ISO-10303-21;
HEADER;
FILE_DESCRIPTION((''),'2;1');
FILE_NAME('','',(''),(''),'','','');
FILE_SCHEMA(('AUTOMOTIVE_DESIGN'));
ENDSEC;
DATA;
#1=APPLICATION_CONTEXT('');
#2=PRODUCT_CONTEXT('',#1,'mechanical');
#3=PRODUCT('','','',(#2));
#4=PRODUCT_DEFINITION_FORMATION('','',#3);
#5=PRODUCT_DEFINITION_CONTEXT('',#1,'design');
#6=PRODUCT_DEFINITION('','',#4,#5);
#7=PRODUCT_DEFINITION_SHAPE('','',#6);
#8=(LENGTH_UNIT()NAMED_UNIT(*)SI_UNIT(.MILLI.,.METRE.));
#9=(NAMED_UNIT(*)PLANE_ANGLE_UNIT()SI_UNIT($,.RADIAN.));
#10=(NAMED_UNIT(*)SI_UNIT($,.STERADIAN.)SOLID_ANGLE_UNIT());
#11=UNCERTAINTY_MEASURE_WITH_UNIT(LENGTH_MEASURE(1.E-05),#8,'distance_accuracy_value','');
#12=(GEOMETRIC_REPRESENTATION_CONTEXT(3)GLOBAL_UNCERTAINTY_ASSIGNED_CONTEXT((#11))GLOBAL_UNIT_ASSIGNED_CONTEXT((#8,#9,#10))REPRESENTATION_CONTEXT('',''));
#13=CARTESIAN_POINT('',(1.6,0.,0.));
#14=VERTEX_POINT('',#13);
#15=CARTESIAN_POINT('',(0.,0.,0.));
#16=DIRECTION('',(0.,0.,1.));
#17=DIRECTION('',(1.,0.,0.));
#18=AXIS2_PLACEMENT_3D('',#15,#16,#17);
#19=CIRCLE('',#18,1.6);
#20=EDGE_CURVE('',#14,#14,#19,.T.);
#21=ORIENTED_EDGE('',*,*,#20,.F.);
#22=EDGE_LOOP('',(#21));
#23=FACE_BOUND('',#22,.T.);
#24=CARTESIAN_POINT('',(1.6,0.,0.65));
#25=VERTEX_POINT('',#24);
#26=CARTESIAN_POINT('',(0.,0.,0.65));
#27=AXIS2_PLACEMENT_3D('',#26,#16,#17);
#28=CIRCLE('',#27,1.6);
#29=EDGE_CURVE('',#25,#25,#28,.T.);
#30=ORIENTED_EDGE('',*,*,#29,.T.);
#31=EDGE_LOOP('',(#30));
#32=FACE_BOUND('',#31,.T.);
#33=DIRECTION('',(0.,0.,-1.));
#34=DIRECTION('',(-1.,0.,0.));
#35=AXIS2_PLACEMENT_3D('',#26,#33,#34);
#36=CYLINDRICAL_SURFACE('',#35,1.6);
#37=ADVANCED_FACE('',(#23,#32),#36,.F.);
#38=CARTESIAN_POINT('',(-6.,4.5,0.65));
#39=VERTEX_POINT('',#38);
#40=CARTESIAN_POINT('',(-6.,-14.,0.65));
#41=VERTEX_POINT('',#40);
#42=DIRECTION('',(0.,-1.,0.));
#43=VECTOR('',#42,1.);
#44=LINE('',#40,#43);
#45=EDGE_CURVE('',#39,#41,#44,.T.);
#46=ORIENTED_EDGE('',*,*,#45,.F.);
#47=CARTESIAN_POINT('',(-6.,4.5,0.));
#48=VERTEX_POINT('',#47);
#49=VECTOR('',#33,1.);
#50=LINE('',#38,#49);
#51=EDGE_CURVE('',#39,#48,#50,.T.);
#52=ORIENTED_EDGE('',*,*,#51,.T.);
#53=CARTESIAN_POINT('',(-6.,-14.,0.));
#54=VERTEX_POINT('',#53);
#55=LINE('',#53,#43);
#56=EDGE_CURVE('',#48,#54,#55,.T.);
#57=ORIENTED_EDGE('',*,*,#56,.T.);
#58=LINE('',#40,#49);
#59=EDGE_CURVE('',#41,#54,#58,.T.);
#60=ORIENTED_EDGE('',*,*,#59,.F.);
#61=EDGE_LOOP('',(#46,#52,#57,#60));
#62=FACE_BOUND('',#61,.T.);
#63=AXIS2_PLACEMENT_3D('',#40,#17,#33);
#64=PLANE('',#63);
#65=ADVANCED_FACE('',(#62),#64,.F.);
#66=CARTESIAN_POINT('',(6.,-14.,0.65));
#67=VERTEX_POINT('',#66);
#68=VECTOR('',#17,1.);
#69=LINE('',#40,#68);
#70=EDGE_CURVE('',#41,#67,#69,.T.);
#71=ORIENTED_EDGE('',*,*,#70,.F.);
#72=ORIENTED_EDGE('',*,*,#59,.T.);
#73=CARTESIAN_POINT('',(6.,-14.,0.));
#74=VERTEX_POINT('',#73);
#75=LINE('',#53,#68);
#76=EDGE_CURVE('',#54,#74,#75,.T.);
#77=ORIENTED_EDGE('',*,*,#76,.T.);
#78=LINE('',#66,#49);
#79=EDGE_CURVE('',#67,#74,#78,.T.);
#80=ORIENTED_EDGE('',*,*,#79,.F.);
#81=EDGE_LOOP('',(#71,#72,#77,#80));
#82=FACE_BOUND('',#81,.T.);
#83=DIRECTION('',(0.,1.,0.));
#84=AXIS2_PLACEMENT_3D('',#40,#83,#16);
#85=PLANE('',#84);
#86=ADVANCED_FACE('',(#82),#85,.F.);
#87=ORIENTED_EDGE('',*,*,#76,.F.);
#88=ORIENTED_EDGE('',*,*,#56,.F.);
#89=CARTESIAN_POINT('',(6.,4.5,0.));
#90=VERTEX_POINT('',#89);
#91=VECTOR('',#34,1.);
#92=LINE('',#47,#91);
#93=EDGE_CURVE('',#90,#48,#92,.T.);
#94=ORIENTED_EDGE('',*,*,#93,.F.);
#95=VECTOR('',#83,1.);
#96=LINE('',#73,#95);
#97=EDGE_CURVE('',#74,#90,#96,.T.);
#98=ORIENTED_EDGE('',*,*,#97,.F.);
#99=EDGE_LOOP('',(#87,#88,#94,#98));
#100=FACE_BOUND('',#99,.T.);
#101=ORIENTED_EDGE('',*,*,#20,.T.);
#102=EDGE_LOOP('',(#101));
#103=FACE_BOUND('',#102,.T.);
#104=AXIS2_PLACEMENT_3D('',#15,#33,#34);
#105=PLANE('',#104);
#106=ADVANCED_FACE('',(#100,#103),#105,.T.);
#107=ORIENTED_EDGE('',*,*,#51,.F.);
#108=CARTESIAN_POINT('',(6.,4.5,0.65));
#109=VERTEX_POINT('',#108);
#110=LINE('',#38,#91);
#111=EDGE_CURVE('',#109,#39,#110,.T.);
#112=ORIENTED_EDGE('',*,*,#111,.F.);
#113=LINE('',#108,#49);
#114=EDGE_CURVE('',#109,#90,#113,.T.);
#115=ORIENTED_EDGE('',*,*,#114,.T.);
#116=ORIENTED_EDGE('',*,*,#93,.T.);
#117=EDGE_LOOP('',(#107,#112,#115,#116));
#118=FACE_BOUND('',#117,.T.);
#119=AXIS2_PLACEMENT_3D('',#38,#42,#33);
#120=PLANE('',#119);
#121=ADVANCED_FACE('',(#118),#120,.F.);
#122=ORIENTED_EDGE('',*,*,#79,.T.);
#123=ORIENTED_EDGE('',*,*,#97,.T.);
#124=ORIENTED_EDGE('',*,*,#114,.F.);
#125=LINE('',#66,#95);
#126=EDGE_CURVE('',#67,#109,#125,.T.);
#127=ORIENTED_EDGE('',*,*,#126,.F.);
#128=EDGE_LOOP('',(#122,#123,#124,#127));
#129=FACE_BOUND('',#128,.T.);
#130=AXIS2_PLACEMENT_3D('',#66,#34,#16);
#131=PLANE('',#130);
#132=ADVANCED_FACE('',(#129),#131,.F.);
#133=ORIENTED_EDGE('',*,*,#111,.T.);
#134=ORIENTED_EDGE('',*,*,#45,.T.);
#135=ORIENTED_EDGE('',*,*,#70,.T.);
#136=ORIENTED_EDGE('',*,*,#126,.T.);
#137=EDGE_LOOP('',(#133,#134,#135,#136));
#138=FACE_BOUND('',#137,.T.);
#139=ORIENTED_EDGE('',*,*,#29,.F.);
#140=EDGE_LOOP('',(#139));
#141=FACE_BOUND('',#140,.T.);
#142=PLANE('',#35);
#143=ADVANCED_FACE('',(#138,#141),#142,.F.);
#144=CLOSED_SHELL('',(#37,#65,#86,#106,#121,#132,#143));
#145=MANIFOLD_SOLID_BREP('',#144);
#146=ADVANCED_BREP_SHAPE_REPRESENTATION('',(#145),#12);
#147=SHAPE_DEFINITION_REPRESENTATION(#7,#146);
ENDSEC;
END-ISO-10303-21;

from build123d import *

# Parameters (mm, degrees)
SKETCH1_W           = 12
SKETCH1_H           = 18.5
SKETCH1_R           = 1.6
BOSS_EXTRUDE1_DEPTH = 0.65


with BuildPart() as part:
    # Sketch1 → Boss-Extrude1 (new body)
    with BuildSketch(Plane.XY):
        with Locations((0, -4.75)):
            Rectangle(SKETCH1_W, SKETCH1_H)
        Circle(SKETCH1_R, mode=Mode.SUBTRACT)
    extrude(amount=BOSS_EXTRUDE1_DEPTH)


solid = part.part
